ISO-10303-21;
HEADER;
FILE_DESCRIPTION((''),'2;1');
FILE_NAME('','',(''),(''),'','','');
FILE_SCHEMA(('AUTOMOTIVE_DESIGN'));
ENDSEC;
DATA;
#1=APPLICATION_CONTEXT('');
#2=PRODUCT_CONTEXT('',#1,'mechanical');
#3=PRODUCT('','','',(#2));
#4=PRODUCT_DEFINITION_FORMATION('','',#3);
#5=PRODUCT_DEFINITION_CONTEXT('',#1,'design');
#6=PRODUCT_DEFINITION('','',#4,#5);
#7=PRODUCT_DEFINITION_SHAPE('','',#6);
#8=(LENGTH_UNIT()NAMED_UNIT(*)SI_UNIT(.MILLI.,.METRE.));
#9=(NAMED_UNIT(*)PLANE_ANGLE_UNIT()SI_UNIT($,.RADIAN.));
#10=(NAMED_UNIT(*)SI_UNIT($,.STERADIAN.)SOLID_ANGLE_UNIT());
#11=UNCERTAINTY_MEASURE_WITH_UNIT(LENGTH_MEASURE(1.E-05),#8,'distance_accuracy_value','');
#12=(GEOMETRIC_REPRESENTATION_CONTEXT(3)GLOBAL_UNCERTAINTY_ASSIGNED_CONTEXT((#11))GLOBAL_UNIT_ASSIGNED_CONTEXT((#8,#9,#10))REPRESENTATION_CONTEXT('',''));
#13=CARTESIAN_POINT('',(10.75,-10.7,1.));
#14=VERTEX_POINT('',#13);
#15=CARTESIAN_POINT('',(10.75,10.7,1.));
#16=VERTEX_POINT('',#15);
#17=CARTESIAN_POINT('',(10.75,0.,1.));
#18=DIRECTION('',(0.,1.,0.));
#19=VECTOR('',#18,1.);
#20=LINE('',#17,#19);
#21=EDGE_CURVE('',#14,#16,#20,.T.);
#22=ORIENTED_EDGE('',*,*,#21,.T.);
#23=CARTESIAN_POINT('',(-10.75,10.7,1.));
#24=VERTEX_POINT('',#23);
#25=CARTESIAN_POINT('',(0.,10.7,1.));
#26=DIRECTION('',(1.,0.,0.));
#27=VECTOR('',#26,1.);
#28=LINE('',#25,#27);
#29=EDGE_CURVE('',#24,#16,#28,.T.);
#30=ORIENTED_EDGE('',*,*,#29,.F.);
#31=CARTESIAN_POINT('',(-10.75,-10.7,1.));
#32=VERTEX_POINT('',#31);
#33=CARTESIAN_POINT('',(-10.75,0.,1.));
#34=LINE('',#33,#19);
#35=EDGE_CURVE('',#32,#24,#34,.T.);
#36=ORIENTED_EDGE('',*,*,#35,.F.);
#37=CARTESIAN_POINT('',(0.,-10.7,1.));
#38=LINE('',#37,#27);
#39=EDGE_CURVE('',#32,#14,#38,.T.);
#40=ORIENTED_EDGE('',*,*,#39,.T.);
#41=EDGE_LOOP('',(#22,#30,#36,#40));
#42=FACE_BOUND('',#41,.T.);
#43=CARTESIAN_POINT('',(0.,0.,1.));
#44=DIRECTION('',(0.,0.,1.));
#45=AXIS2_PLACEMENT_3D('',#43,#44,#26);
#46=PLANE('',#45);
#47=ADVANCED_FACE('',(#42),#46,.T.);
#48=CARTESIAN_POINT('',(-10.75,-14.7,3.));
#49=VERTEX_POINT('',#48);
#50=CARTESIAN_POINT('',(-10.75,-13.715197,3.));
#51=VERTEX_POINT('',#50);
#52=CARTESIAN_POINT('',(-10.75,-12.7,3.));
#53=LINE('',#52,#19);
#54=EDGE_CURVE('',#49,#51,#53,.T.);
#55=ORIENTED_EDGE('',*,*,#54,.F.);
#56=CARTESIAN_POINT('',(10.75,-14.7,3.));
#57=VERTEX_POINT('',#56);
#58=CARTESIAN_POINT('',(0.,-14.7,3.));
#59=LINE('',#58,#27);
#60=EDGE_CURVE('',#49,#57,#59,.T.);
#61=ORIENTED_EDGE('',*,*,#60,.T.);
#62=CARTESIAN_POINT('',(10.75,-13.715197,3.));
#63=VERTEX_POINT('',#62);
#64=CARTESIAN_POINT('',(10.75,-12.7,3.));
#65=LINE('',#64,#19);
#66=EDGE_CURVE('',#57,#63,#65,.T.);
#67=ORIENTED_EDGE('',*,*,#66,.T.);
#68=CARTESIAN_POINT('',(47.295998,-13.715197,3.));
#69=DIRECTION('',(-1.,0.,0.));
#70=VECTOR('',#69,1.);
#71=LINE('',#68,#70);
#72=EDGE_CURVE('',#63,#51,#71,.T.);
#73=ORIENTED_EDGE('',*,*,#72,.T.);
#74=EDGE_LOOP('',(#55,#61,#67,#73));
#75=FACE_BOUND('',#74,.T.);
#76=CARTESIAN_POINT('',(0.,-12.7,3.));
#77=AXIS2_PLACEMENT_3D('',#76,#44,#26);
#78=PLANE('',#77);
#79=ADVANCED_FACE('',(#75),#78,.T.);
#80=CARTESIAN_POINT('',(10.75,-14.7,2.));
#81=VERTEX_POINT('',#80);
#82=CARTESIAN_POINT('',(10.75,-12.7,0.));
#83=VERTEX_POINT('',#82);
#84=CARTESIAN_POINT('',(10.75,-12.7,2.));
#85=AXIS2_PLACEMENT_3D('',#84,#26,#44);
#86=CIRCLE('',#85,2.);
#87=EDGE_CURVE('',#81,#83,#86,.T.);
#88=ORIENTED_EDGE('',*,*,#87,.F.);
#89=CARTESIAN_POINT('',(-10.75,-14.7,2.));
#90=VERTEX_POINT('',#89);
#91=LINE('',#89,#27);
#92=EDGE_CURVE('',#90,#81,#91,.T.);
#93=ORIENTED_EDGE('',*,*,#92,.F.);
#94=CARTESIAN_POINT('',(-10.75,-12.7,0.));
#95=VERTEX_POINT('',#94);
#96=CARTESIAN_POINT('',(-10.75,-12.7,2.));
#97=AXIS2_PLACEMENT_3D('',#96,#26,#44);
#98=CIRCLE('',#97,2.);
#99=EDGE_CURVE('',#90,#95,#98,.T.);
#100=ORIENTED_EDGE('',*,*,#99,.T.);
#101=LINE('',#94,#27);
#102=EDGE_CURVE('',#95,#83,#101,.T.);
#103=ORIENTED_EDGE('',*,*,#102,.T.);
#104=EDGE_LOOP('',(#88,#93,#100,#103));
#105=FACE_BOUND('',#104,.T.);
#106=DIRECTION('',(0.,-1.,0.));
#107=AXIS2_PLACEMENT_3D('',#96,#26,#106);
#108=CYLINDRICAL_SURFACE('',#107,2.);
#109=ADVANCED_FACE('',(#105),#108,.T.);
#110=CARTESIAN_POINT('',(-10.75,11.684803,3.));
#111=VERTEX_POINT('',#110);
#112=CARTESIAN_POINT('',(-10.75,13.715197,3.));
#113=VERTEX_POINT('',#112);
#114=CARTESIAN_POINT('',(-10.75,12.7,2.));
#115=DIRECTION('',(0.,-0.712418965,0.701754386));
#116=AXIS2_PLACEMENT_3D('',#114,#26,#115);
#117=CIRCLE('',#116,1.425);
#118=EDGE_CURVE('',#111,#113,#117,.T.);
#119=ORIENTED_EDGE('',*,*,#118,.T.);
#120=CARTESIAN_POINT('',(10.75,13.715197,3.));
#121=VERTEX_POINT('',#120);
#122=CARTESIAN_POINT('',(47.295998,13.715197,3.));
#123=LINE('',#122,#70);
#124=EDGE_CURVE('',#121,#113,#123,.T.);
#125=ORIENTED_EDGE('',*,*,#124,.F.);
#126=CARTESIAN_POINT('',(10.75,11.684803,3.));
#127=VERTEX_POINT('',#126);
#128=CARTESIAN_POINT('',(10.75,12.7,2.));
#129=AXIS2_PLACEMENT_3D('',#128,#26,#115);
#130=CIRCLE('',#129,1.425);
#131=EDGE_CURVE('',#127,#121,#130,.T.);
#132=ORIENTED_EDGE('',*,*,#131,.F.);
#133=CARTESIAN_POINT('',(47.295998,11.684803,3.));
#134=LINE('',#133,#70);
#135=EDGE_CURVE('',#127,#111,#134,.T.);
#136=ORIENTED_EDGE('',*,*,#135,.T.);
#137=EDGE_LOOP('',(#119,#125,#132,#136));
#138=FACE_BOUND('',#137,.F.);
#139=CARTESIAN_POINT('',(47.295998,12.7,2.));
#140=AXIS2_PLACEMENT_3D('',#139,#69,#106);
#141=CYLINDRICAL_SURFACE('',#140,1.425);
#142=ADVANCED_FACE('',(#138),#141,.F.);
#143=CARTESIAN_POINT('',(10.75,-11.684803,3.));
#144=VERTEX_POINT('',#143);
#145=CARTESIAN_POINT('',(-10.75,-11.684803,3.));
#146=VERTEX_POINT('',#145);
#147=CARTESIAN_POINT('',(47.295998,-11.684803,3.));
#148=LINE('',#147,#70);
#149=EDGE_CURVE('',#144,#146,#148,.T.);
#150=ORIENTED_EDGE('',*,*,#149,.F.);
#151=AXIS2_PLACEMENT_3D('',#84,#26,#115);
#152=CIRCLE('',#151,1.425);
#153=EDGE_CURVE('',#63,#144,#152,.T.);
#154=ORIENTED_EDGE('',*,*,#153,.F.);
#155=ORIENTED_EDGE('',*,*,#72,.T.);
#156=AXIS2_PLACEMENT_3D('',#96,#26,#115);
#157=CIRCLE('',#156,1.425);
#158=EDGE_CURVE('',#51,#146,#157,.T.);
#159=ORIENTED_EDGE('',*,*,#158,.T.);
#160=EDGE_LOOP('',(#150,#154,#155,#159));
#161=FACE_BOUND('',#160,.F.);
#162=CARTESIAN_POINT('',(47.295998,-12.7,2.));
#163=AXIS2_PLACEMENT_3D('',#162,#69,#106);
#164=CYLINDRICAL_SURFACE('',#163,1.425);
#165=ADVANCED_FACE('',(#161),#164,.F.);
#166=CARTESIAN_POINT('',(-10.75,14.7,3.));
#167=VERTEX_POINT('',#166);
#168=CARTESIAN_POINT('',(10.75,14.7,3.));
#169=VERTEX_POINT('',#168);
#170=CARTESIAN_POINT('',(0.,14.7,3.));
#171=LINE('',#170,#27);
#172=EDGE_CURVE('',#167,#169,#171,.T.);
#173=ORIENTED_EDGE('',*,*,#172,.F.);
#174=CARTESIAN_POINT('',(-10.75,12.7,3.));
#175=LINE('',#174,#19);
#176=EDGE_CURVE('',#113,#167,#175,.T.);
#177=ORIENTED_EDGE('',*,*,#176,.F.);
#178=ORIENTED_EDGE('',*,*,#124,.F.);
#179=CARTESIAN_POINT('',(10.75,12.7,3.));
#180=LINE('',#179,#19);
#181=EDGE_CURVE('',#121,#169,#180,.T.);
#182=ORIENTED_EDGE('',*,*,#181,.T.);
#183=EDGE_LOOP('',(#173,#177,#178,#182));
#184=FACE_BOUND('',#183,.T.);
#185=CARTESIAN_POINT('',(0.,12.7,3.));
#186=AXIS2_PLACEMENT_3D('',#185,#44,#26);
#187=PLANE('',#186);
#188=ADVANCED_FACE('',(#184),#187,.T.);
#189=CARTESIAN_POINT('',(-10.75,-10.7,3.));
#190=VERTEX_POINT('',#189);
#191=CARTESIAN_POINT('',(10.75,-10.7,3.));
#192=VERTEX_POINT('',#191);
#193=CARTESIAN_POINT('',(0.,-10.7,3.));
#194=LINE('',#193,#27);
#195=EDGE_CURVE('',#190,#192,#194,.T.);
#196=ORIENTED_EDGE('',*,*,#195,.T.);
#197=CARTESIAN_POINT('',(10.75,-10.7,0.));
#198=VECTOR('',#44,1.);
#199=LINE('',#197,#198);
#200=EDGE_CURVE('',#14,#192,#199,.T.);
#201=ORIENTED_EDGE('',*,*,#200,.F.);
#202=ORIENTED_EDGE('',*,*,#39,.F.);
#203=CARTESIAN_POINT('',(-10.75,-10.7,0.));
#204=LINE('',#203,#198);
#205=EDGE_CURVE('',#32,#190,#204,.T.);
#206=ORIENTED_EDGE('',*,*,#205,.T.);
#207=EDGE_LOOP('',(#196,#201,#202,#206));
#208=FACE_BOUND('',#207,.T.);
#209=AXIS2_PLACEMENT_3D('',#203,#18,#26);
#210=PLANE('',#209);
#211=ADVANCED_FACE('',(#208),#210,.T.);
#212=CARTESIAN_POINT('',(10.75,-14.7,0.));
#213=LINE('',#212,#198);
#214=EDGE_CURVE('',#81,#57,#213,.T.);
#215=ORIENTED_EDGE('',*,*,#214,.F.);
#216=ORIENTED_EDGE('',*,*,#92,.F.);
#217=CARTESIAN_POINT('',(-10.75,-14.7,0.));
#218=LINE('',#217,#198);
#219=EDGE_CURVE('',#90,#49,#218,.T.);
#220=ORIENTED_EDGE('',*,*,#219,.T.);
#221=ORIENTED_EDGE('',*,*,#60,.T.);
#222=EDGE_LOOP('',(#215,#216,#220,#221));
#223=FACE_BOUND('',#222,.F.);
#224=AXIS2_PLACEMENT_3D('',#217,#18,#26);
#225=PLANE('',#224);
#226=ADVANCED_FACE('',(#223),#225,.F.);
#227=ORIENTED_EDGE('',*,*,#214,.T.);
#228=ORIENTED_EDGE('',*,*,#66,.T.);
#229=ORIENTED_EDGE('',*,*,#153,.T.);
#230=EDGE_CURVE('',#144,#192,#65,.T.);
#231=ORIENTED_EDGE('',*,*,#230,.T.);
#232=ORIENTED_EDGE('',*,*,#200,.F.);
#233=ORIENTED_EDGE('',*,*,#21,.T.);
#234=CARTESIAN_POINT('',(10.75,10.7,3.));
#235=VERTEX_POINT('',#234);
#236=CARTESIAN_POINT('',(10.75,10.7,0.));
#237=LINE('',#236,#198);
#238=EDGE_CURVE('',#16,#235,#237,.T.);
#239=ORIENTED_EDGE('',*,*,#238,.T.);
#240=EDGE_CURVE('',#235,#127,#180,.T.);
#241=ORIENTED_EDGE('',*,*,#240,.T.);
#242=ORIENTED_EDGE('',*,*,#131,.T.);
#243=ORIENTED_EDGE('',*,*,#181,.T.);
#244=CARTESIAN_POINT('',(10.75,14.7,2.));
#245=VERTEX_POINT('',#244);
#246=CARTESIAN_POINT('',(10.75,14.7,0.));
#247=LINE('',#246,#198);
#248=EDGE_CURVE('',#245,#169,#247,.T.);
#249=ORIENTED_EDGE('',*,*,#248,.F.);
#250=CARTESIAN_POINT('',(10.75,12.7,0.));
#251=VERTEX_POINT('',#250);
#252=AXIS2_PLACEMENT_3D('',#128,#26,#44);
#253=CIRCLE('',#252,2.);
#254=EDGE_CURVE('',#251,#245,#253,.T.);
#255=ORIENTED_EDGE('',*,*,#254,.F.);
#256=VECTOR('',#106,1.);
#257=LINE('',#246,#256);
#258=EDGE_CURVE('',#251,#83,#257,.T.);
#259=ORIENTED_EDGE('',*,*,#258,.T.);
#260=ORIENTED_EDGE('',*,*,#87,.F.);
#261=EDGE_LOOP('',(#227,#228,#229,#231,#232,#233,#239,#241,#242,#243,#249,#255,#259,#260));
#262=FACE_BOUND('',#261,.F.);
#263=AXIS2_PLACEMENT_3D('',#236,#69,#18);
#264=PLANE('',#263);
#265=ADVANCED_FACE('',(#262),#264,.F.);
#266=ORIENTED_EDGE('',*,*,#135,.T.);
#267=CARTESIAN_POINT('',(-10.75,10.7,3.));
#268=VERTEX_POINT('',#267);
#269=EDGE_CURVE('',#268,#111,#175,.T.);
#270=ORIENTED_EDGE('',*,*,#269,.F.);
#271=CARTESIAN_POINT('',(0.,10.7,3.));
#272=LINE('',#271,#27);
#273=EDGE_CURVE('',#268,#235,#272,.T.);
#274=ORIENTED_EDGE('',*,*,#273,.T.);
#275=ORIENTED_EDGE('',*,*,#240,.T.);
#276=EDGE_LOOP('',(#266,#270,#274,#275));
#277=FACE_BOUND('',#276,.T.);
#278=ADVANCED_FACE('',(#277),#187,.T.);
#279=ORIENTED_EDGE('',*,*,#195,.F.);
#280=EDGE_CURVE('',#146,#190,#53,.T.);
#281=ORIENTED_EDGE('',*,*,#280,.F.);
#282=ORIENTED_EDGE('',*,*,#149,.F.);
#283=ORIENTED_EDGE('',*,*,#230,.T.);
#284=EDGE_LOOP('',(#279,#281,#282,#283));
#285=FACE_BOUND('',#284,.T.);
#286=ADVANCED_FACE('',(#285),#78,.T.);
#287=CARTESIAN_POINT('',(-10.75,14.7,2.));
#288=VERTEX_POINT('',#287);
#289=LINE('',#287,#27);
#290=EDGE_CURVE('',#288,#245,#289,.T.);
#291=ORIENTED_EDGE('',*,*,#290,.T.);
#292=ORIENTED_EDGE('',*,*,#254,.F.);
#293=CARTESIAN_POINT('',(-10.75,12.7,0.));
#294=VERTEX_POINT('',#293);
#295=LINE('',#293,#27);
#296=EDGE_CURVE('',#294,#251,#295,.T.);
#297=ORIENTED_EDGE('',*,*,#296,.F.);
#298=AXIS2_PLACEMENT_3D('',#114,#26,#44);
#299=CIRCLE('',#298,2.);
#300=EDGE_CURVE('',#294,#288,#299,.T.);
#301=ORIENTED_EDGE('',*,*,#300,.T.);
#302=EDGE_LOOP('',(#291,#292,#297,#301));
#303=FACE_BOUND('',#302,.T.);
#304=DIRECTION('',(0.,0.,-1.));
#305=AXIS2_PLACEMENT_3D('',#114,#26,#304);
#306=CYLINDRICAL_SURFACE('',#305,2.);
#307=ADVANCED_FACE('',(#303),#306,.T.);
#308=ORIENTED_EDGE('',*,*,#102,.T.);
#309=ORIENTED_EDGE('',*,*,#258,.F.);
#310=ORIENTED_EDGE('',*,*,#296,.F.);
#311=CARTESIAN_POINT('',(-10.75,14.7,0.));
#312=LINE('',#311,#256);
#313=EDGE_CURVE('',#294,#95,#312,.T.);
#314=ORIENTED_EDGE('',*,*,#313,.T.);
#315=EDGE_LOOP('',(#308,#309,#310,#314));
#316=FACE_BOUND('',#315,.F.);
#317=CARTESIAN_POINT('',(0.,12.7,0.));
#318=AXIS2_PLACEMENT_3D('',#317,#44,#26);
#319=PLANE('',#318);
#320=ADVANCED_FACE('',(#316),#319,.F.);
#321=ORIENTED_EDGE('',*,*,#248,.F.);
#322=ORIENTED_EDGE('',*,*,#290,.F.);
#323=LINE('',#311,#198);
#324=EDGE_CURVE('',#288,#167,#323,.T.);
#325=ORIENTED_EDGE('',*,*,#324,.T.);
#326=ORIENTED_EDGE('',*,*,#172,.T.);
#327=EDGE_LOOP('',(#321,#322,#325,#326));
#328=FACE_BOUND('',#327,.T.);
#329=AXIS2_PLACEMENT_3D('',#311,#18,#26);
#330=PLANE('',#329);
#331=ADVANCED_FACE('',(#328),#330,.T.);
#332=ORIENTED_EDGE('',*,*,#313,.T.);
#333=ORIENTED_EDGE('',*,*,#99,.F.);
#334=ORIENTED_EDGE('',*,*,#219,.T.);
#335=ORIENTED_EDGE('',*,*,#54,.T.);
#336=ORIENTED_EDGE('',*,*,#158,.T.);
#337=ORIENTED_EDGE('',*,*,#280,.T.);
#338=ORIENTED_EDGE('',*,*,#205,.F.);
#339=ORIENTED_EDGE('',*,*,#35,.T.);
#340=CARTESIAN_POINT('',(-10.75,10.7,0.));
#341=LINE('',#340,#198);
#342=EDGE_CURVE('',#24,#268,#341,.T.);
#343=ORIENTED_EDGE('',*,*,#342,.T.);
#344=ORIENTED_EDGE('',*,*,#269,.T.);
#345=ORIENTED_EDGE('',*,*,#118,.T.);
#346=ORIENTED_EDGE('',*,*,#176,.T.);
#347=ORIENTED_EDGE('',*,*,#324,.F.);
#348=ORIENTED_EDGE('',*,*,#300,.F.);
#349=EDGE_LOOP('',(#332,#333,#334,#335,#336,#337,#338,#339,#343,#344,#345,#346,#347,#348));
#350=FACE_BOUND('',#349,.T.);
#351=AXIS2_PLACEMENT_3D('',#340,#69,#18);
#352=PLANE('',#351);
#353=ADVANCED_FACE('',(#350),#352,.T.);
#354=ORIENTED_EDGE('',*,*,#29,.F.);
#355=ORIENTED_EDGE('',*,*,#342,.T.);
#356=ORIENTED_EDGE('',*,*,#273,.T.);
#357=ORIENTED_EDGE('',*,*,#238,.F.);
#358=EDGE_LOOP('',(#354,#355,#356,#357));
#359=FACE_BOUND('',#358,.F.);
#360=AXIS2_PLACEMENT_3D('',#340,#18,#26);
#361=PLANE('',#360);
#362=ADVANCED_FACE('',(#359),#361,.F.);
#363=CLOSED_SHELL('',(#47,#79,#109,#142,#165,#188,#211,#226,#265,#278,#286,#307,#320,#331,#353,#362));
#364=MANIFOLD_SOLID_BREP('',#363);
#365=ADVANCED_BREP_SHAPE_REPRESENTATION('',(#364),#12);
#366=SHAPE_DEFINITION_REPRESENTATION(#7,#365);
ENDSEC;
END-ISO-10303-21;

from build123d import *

# Parameters (mm, degrees)
F0_W     = 21.5
F0_H     = 21.4
F1_DEPTH = 1
F0_H_2   = 4
F2_DEPTH = 3
F4_D     = 2.85
F5_R     = 2


with BuildPart() as f1:
    # F0 (on Top) → F1 (new body)
    with BuildSketch(Plane.XY):
        Rectangle(F0_W, F0_H)
    extrude(amount=F1_DEPTH)

    # F0 (on Top) → F2 (join)
    with BuildSketch(Plane.XY):
        with Locations((0, 12.7)):
            Rectangle(F0_W, F0_H_2)
        with Locations((0, -12.7)):
            Rectangle(F0_W, F0_H_2)
    extrude(amount=F2_DEPTH)

    # F4 (through all)
    with Locations(Plane.YZ.offset(10.75)):
        with Locations((12.7, 2), (-12.7, 2)):
            Hole(F4_D / 2)

    # F5
    f5_edges = [f1.edges().sort_by_distance(p)[0] for p in [
        (0, 14.7, 0),
        (0, -14.7, 0),
    ]]
    fillet(f5_edges, radius=F5_R)


solid = f1.part
